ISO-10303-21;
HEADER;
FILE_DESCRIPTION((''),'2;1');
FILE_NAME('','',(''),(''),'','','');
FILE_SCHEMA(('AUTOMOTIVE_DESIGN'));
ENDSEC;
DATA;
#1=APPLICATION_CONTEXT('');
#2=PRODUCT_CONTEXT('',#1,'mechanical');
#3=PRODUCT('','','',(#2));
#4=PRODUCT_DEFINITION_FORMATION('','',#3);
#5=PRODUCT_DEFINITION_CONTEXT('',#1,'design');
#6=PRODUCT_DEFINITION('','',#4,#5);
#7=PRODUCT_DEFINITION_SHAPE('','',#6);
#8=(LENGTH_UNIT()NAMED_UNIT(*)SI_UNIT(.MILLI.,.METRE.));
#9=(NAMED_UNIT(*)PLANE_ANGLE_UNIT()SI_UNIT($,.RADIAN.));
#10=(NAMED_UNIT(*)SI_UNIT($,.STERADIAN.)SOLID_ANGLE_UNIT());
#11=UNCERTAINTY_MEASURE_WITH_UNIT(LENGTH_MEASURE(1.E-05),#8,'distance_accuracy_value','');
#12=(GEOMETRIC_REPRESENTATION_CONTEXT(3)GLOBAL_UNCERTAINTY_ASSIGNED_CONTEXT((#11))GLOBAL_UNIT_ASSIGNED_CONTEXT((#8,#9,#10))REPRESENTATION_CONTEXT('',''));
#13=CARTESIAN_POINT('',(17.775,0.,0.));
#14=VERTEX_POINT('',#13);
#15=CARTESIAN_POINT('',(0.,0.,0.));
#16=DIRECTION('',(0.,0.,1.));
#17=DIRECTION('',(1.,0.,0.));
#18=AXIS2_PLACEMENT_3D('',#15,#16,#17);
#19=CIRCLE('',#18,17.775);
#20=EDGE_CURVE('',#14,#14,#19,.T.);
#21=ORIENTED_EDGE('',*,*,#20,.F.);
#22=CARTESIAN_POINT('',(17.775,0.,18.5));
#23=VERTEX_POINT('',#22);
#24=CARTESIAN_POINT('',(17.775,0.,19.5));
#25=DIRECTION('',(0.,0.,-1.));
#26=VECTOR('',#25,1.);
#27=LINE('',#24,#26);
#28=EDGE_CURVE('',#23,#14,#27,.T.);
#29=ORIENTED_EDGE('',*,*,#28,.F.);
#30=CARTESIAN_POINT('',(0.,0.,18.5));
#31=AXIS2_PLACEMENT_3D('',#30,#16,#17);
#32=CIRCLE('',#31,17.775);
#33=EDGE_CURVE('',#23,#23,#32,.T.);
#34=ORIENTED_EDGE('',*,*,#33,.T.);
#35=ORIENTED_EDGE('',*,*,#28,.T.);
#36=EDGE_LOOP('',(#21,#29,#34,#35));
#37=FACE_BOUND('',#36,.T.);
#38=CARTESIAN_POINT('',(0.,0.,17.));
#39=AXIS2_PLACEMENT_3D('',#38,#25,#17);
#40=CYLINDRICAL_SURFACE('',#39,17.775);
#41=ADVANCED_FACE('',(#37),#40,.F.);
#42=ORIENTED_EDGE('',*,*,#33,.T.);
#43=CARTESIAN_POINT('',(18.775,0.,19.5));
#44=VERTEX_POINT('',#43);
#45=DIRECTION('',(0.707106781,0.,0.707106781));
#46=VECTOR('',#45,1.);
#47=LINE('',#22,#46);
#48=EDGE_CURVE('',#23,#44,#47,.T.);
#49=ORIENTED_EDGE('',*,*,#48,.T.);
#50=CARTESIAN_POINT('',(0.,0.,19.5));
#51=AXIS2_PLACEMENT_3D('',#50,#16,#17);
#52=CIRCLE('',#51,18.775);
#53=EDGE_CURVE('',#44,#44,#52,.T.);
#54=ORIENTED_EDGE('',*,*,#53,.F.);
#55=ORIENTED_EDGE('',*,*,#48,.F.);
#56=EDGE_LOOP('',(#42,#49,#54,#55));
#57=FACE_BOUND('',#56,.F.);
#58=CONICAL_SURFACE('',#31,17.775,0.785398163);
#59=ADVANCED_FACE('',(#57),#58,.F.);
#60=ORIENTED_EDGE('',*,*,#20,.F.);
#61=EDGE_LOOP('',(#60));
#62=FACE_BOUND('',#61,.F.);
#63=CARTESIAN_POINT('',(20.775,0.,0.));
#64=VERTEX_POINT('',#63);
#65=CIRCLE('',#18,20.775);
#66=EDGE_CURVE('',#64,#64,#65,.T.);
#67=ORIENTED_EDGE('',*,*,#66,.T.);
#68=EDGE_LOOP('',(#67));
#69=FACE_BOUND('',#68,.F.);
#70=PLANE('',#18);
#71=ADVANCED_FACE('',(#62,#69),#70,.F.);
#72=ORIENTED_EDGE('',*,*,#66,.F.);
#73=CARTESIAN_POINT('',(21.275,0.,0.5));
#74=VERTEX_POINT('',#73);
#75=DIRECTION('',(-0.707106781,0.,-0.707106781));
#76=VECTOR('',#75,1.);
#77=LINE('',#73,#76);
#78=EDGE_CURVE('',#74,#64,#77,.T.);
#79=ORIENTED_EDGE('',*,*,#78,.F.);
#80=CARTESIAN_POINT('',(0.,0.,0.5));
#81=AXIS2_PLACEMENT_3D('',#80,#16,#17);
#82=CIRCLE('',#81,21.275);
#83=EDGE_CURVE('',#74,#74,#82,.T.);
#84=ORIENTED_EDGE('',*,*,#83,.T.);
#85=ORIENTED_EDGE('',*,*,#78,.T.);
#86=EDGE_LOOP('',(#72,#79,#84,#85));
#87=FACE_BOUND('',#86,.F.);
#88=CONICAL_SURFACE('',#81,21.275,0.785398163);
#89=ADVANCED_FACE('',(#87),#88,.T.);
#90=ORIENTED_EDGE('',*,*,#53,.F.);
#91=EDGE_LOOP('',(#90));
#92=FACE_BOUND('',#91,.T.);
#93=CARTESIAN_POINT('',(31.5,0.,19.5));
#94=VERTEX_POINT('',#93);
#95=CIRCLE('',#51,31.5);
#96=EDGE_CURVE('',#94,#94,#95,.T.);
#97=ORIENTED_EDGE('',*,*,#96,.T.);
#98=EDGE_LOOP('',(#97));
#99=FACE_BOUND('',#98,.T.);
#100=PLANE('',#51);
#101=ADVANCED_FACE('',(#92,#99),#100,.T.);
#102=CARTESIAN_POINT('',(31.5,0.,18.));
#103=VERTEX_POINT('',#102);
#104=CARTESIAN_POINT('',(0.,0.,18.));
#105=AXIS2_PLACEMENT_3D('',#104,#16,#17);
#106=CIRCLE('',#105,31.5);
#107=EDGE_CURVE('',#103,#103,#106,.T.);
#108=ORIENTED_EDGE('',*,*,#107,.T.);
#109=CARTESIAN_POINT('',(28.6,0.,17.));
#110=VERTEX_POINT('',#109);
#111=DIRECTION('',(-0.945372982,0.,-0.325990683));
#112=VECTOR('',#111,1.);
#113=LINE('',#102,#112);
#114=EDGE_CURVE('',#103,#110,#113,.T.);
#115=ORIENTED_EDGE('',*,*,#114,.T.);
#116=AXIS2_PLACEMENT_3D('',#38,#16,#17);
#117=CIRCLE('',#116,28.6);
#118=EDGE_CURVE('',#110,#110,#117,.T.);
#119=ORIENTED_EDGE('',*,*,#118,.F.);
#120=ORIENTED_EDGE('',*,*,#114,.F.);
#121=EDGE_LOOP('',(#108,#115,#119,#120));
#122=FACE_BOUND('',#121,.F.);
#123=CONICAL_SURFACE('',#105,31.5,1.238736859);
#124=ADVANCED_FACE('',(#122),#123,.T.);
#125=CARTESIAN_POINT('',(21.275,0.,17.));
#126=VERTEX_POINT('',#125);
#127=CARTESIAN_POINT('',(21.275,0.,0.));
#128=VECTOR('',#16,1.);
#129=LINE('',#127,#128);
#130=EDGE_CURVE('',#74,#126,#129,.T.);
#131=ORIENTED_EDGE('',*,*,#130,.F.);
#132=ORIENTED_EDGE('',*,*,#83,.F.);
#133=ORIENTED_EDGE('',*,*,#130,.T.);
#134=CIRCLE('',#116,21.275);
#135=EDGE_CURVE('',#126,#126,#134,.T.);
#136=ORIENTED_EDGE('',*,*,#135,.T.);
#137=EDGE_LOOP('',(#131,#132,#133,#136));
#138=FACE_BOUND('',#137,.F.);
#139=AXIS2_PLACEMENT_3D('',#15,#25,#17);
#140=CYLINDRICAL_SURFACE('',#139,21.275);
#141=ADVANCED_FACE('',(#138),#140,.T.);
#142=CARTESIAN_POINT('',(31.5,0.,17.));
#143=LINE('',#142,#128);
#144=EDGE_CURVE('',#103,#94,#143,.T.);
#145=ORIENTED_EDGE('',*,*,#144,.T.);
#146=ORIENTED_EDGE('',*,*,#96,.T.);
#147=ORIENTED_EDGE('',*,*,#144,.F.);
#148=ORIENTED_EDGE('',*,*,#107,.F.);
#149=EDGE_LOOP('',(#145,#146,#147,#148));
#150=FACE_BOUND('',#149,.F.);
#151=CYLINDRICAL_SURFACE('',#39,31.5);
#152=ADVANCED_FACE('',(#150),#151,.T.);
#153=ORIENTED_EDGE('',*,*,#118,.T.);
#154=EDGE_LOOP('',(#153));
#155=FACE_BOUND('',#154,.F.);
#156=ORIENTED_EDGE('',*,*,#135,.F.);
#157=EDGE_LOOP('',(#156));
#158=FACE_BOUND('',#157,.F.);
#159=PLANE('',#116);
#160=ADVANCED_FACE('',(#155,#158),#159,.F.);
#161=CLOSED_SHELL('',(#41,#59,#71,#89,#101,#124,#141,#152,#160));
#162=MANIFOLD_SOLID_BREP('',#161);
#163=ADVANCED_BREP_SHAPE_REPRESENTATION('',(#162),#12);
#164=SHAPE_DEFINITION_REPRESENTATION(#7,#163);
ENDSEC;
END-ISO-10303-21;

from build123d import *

# Parameters (mm, degrees)
F0_R     = 21.275
F0_R_2   = 17.775
F1_DEPTH = 17
F2_R     = 31.5
F2_R_2   = 17.775
F3_DEPTH = 2.5
F4_SIZE2 = 2.9
F4_SIZE  = 1
F5_SIZE  = 0.5
F6_SIZE  = 1


with BuildPart() as f1:
    # F0 (on Top) → F1 (new body)
    with BuildSketch(Plane.XY):
        Circle(F0_R)
        Circle(F0_R_2, mode=Mode.SUBTRACT)
    extrude(amount=F1_DEPTH)

    # F2 (on face) → F3 (join)
    with BuildSketch(Plane.XY.offset(17)):
        Circle(F2_R)
        Circle(F2_R_2, mode=Mode.SUBTRACT)
    extrude(amount=F3_DEPTH)

    # F4
    f4_edges = [f1.edges().sort_by_distance(p)[0] for p in [
        (-31.5, 0, 17),
    ]]
    f4_side = f1.faces().sort_by_distance((-31.5, 0, 18.25))[0]
    chamfer(f4_edges, length=F4_SIZE, length2=F4_SIZE2, reference=f4_side)

    # F5
    f5_edges = [f1.edges().sort_by_distance(p)[0] for p in [
        (-21.275, 0, 0),
    ]]
    chamfer(f5_edges, length=F5_SIZE)

    # F6
    f6_edges = [f1.edges().sort_by_distance(p)[0] for p in [
        (-17.775, 0, 19.5),
    ]]
    chamfer(f6_edges, length=F6_SIZE)


solid = f1.part
